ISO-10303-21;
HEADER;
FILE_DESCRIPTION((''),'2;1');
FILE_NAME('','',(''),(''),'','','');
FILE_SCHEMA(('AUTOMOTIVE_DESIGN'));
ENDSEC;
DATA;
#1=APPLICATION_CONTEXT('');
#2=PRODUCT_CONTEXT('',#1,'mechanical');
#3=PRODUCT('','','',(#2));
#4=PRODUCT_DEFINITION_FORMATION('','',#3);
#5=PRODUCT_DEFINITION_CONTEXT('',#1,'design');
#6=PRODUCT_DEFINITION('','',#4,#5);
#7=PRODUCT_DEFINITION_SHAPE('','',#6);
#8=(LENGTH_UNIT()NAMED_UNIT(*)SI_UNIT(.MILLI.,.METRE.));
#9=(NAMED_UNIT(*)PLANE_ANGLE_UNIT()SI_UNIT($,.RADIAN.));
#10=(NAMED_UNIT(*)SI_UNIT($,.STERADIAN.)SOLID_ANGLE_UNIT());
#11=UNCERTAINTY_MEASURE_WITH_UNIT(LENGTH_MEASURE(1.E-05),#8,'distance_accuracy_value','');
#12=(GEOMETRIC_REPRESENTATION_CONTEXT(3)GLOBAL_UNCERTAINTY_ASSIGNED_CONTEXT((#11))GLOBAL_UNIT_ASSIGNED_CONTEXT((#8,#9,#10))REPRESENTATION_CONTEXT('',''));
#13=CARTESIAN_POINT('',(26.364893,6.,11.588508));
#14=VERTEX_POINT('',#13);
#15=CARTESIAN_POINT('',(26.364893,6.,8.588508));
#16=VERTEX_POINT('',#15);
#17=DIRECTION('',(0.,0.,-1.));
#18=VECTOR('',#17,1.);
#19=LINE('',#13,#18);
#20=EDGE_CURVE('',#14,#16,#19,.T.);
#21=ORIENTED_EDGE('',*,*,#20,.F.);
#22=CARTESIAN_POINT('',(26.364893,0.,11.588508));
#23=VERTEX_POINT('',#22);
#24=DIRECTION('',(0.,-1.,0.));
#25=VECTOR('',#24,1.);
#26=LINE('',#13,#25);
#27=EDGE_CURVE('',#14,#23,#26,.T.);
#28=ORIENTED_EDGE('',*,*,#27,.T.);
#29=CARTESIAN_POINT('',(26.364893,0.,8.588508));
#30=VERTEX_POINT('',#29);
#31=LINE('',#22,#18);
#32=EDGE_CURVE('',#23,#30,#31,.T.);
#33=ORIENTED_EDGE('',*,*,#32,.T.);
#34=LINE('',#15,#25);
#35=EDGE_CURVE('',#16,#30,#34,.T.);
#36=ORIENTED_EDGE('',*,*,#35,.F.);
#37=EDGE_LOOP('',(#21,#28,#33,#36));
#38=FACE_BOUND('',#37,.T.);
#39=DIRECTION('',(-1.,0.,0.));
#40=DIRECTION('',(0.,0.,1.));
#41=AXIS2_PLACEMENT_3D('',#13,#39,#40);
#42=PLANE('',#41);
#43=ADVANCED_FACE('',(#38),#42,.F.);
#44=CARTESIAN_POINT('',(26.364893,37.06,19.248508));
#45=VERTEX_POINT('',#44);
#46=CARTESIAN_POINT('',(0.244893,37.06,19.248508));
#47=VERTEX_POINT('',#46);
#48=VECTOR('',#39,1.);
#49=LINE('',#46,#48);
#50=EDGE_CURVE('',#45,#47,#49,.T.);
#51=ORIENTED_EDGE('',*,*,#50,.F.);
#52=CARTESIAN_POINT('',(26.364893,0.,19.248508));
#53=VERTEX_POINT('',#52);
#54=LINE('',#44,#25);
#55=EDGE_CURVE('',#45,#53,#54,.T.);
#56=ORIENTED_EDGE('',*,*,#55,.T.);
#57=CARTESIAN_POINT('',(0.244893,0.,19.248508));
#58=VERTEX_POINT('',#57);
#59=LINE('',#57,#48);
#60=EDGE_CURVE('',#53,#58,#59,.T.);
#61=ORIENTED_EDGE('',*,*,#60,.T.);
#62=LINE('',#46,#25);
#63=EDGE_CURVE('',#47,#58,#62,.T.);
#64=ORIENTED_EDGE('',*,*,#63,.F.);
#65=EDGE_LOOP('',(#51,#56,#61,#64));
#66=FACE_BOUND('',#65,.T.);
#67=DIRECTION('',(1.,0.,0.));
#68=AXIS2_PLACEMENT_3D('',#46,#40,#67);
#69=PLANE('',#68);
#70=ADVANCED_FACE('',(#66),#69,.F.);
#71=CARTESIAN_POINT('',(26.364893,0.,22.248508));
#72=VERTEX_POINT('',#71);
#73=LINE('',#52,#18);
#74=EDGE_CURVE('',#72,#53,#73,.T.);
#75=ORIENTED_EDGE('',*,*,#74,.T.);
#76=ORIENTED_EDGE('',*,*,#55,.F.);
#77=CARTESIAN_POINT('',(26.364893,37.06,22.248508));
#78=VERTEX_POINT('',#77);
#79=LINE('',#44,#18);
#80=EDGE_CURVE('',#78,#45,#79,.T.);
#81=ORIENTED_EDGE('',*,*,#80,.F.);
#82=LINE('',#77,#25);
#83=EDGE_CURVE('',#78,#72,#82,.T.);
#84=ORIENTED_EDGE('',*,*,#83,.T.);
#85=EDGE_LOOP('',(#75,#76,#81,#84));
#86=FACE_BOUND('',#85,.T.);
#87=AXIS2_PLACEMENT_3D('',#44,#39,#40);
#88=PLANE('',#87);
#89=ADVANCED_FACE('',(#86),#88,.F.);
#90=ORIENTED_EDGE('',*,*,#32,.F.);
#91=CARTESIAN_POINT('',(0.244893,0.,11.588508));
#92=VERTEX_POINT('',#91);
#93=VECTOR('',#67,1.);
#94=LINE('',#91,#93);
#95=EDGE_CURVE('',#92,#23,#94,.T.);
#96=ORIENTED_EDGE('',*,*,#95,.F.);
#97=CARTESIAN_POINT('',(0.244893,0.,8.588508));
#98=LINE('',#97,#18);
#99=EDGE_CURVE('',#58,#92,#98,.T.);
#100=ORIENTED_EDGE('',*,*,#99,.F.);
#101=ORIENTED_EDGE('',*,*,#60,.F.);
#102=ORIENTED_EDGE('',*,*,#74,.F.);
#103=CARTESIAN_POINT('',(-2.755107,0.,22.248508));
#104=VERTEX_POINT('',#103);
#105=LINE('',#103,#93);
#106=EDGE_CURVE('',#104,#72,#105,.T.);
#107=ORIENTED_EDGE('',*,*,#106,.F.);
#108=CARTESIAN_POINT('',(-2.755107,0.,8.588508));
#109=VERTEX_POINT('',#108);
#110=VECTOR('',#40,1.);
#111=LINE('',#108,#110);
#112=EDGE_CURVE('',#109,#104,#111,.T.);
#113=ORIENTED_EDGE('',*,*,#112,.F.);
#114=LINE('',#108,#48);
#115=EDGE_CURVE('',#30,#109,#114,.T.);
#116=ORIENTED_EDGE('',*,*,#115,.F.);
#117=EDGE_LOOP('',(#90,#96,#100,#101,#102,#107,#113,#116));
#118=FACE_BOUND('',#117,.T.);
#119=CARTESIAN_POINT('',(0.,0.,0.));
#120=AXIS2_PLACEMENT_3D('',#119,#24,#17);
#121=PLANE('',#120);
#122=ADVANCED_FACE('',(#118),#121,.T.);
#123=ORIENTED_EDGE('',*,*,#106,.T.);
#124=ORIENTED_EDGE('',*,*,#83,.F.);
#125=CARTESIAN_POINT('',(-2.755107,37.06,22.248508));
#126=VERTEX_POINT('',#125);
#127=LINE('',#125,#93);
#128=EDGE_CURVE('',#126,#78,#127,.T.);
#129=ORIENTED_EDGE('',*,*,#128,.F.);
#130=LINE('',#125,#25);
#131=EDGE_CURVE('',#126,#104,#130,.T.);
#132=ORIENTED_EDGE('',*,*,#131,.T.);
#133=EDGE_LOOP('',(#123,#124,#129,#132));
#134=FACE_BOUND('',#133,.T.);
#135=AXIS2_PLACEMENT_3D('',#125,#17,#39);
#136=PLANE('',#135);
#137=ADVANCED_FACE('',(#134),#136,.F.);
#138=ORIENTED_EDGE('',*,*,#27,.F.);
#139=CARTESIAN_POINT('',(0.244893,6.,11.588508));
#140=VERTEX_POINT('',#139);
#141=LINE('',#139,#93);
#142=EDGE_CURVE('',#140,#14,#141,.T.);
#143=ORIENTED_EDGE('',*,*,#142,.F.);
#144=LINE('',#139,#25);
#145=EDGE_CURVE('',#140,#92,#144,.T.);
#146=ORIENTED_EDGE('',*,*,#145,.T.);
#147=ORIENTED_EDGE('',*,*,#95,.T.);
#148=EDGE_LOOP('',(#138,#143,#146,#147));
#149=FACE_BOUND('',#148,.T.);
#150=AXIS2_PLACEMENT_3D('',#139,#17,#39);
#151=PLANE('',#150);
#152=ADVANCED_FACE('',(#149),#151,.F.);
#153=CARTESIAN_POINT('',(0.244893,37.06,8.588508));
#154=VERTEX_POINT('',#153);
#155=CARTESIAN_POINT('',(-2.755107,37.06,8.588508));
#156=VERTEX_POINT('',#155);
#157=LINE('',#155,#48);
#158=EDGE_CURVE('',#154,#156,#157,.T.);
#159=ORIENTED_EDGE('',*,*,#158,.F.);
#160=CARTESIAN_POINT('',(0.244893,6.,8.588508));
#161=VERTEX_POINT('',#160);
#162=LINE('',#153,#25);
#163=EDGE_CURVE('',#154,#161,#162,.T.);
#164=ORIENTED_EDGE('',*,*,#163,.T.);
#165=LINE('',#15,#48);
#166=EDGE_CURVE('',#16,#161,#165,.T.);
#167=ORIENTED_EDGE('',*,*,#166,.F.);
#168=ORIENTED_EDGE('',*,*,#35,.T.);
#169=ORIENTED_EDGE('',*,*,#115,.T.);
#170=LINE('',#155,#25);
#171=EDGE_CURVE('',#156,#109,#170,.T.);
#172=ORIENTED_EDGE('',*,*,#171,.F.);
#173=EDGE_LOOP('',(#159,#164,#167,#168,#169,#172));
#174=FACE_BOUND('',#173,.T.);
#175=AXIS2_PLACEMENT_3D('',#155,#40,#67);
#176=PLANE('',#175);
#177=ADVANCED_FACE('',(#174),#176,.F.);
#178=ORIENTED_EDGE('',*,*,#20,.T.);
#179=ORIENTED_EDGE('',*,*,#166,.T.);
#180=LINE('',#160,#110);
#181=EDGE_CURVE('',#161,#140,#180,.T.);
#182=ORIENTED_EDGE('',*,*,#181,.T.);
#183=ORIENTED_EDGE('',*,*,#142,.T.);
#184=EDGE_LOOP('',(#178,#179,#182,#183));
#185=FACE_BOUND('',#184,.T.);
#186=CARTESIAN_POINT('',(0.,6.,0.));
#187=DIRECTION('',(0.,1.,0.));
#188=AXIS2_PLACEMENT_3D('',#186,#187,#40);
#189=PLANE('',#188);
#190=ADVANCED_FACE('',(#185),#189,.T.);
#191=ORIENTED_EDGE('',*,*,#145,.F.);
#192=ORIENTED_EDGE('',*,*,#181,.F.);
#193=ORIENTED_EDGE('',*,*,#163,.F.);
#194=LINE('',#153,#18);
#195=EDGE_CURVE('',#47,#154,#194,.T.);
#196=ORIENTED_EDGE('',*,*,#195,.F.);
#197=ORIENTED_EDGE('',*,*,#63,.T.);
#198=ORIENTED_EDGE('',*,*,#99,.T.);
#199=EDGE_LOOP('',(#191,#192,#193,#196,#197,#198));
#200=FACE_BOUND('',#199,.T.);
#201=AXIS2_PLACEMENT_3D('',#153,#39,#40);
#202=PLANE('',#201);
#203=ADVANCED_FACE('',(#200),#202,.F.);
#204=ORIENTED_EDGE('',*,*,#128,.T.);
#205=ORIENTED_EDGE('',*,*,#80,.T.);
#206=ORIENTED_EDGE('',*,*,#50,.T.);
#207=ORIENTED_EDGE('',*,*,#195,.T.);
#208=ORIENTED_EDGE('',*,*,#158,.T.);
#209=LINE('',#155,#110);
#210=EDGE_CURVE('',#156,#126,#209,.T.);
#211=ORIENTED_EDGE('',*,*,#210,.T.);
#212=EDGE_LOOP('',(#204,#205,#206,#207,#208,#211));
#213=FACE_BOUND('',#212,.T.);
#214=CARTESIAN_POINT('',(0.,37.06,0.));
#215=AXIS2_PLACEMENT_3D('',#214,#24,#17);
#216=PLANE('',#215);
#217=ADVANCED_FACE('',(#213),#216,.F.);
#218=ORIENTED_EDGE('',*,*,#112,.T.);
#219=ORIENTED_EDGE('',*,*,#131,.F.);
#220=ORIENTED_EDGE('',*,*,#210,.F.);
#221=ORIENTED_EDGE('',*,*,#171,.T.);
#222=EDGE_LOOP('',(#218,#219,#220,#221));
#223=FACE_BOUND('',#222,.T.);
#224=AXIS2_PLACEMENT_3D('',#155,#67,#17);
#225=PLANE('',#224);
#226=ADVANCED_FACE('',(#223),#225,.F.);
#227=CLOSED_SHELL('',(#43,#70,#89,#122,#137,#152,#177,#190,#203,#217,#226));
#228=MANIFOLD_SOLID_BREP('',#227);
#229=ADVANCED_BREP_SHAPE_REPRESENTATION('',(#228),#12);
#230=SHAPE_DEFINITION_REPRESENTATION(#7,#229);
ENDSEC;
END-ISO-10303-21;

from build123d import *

# Parameters (mm, degrees)
BOSS_EXTRUDE1_DEPTH = 37.06
SKETCH2_W           = 26.12
SKETCH2_H           = 3
BOSS_EXTRUDE2_DEPTH = 6


with BuildPart() as part:
    # Sketch1 → Boss-Extrude1 (new body)
    with BuildSketch(Plane(origin=(0, 0, 0), x_dir=(1, 0, 0), z_dir=(0, 1, 0))):
        Polygon((-2.755107279, -8.58850832), (-2.755107279, -22.24850832), (26.364892721, -22.24850832), (26.364892721, -19.24850832), (0.244892721, -19.24850832), (0.244892721, -8.58850832), align=None)
    extrude(amount=BOSS_EXTRUDE1_DEPTH)

    # Sketch2 → Boss-Extrude2 (add)
    with BuildSketch(Plane(origin=(0, 0, 0), x_dir=(1, 0, 0), z_dir=(0, 1, 0))):
        with Locations((13.304892721, -10.08850832)):
            Rectangle(SKETCH2_W, SKETCH2_H)
    extrude(amount=BOSS_EXTRUDE2_DEPTH)


solid = part.part
